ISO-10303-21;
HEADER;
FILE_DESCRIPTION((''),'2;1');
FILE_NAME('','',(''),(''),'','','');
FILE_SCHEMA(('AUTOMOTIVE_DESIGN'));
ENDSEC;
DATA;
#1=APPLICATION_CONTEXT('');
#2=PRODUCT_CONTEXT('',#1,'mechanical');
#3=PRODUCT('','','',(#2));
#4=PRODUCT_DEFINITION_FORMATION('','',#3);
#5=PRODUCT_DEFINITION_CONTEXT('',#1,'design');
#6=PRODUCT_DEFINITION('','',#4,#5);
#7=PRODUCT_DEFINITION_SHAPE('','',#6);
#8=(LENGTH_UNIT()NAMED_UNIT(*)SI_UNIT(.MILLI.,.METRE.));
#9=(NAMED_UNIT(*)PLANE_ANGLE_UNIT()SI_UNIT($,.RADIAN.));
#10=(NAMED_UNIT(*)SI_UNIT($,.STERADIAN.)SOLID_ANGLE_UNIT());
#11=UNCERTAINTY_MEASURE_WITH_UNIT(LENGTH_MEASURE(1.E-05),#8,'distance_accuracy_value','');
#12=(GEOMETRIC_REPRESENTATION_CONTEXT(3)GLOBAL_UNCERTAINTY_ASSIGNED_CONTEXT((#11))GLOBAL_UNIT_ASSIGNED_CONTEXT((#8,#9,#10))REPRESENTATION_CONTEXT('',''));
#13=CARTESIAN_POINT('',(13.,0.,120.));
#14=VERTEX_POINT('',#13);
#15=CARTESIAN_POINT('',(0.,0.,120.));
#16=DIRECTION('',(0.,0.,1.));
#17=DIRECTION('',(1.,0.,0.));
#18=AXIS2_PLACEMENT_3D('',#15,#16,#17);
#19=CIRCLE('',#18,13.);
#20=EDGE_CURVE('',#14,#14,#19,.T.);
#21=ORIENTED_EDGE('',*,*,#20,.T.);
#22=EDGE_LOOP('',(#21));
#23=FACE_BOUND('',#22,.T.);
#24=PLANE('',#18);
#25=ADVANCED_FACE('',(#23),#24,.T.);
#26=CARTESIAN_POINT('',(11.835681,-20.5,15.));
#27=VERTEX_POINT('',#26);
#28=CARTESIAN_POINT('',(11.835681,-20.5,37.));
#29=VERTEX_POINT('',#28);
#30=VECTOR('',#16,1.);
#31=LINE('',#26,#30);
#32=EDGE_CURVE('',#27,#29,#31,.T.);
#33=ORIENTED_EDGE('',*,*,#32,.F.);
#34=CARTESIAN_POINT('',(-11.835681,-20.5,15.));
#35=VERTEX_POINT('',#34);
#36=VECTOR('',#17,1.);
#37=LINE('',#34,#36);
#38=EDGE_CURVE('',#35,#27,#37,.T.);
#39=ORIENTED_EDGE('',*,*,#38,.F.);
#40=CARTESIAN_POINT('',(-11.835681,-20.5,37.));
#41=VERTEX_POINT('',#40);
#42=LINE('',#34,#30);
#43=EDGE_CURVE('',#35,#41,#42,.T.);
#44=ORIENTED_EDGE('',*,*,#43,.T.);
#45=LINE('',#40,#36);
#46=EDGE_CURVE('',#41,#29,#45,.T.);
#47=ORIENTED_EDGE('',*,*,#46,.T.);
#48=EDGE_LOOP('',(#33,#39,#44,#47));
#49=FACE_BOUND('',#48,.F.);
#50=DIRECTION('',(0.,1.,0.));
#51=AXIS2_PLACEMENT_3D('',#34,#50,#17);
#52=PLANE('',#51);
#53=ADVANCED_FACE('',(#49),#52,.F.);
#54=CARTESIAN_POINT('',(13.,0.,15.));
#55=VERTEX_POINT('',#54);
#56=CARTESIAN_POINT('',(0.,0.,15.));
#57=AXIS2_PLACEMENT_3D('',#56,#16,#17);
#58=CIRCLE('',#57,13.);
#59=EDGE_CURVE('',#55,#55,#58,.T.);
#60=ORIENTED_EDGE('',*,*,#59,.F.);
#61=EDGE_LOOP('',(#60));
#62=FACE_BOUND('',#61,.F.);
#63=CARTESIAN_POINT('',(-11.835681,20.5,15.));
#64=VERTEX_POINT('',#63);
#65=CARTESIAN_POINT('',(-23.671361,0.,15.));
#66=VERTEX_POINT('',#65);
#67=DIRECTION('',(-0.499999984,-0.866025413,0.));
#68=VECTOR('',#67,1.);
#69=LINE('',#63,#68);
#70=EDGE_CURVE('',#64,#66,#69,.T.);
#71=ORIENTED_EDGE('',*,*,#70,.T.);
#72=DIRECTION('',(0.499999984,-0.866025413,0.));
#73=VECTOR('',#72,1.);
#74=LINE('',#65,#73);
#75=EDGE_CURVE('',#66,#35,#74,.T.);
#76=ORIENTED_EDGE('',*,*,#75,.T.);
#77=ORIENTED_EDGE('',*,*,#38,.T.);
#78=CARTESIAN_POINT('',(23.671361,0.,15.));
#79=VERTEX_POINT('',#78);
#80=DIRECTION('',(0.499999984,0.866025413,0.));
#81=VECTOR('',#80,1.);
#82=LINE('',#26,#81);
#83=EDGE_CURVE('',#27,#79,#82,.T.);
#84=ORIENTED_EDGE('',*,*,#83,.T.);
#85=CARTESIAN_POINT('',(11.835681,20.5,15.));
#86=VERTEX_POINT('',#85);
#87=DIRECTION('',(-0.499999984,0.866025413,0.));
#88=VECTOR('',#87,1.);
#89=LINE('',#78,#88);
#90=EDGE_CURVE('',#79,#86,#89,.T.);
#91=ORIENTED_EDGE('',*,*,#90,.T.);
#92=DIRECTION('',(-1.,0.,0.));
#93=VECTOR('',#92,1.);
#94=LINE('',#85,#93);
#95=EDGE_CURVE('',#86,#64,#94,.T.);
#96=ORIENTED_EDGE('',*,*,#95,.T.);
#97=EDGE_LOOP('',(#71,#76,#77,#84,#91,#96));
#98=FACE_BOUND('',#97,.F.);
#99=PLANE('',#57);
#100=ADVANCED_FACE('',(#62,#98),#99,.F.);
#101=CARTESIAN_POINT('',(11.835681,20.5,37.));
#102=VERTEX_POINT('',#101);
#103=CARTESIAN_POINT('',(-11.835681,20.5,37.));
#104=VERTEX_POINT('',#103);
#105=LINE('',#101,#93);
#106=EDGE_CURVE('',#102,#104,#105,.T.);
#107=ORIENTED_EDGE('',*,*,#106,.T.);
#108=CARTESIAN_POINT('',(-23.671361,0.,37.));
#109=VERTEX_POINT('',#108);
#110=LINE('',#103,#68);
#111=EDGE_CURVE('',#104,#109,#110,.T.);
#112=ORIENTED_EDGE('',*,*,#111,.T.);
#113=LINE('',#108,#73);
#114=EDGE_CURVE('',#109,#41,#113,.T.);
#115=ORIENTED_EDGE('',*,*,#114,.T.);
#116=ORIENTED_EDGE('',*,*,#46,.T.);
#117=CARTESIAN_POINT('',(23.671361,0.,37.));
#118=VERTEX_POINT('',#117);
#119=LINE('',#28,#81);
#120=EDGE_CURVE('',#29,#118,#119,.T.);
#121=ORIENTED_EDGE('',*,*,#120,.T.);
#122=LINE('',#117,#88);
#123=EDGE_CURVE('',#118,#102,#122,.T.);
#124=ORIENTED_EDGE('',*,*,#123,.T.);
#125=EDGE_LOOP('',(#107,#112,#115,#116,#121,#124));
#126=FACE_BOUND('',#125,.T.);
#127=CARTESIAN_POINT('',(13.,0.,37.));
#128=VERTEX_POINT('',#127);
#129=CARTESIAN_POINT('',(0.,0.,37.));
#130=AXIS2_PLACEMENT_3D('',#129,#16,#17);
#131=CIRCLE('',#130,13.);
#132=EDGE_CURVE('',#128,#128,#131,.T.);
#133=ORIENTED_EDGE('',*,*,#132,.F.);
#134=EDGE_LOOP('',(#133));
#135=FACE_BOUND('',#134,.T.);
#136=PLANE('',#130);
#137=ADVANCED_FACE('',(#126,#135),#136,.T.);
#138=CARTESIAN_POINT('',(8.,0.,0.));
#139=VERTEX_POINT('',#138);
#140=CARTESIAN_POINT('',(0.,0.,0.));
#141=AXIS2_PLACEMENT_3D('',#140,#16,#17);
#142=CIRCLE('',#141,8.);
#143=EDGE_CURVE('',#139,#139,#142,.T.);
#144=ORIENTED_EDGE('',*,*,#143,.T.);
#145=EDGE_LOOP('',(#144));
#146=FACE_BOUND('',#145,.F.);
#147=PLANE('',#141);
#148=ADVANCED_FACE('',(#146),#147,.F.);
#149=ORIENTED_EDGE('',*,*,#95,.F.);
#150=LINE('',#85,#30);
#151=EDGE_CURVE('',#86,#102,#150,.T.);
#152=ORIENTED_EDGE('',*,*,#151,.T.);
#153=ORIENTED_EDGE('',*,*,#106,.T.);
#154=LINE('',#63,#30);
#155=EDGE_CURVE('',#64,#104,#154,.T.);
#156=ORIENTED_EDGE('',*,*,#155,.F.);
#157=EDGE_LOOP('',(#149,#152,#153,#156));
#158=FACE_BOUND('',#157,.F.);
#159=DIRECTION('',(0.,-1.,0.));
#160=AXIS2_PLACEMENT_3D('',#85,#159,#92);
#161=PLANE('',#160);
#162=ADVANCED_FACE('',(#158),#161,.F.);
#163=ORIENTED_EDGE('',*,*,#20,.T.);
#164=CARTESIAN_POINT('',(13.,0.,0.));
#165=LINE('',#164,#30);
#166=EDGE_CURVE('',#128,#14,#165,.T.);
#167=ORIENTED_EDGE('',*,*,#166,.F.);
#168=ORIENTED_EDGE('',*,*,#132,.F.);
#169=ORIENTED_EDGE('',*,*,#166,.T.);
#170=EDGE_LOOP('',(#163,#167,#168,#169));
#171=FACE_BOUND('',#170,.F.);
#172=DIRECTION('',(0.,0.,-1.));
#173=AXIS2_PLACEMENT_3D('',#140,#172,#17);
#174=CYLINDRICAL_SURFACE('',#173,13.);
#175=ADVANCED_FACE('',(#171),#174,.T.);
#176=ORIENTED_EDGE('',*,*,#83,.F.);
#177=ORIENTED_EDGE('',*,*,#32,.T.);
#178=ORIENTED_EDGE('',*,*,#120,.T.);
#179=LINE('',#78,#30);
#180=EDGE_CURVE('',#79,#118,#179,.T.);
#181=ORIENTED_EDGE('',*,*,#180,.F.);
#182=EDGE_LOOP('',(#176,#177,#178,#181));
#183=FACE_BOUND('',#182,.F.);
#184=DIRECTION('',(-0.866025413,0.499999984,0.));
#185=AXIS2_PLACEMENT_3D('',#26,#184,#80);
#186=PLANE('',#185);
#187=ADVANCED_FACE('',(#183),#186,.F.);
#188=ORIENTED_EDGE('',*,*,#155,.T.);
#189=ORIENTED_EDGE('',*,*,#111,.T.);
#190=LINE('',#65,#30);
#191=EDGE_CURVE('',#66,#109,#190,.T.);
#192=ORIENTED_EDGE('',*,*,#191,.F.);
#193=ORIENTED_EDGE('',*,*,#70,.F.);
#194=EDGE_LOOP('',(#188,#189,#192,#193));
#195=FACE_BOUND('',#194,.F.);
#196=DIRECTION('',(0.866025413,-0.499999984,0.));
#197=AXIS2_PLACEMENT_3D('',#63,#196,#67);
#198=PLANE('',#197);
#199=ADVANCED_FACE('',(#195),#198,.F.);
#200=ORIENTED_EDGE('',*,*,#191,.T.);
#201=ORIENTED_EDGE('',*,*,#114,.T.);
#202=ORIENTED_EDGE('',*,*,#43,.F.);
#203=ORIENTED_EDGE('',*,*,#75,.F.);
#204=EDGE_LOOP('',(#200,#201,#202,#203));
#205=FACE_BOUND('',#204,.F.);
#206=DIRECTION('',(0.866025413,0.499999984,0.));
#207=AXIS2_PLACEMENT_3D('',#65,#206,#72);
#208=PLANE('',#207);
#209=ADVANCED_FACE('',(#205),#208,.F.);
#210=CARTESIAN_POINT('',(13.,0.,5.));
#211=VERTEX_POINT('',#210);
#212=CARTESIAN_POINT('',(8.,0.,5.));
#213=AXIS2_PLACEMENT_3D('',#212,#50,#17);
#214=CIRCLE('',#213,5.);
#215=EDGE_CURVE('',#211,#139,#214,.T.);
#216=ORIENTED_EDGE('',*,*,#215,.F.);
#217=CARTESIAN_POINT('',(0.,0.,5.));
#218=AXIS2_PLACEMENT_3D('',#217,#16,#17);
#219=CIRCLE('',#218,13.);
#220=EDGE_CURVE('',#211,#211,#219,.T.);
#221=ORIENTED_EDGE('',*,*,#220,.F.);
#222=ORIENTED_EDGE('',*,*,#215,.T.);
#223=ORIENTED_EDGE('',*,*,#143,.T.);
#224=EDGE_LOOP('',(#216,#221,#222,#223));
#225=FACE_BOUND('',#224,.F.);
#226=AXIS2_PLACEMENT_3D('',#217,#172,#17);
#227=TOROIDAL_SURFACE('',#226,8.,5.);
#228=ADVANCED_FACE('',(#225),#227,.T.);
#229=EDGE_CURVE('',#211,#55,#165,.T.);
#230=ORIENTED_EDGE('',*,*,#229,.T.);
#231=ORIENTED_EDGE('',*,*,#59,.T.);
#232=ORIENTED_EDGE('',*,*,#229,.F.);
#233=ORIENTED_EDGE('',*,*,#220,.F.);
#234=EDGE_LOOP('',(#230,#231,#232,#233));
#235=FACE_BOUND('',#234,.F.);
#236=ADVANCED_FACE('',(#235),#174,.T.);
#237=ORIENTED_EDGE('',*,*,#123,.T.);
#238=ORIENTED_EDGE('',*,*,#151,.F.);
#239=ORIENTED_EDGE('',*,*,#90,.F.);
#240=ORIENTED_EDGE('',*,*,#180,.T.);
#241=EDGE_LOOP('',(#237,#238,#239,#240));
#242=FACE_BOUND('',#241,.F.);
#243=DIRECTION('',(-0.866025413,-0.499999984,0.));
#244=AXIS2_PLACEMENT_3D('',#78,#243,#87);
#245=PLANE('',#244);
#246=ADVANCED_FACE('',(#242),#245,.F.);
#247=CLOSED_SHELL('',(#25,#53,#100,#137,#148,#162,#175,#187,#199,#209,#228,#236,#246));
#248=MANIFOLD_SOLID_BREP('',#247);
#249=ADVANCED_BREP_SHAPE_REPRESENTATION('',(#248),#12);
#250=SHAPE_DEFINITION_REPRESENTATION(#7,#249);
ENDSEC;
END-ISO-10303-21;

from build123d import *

# Parameters (mm, degrees)
F0_R     = 13
F1_DEPTH = 120
F2_R     = 5
F4_R     = 13
F5_DEPTH = 22


with BuildPart() as f1:
    # F0 (on Top) → F1 (new body)
    with BuildSketch(Plane.XY):
        Circle(F0_R)
    extrude(amount=F1_DEPTH)

    # F2
    f2_edges = [f1.edges().sort_by_distance(p)[0] for p in [
        (-13, 0, 0),
    ]]
    fillet(f2_edges, radius=F2_R)

    # F4 (on offset) → F5 (join)
    with BuildSketch(Plane.XY.offset(15)):
        Polygon((11.835681, 20.5), (-11.835681, 20.5), (-23.671361, 0), (-11.835681, -20.5), (11.835681, -20.5), (23.671361, 0), align=None)
        Circle(F4_R, mode=Mode.SUBTRACT)
    extrude(amount=F5_DEPTH)


solid = f1.part
